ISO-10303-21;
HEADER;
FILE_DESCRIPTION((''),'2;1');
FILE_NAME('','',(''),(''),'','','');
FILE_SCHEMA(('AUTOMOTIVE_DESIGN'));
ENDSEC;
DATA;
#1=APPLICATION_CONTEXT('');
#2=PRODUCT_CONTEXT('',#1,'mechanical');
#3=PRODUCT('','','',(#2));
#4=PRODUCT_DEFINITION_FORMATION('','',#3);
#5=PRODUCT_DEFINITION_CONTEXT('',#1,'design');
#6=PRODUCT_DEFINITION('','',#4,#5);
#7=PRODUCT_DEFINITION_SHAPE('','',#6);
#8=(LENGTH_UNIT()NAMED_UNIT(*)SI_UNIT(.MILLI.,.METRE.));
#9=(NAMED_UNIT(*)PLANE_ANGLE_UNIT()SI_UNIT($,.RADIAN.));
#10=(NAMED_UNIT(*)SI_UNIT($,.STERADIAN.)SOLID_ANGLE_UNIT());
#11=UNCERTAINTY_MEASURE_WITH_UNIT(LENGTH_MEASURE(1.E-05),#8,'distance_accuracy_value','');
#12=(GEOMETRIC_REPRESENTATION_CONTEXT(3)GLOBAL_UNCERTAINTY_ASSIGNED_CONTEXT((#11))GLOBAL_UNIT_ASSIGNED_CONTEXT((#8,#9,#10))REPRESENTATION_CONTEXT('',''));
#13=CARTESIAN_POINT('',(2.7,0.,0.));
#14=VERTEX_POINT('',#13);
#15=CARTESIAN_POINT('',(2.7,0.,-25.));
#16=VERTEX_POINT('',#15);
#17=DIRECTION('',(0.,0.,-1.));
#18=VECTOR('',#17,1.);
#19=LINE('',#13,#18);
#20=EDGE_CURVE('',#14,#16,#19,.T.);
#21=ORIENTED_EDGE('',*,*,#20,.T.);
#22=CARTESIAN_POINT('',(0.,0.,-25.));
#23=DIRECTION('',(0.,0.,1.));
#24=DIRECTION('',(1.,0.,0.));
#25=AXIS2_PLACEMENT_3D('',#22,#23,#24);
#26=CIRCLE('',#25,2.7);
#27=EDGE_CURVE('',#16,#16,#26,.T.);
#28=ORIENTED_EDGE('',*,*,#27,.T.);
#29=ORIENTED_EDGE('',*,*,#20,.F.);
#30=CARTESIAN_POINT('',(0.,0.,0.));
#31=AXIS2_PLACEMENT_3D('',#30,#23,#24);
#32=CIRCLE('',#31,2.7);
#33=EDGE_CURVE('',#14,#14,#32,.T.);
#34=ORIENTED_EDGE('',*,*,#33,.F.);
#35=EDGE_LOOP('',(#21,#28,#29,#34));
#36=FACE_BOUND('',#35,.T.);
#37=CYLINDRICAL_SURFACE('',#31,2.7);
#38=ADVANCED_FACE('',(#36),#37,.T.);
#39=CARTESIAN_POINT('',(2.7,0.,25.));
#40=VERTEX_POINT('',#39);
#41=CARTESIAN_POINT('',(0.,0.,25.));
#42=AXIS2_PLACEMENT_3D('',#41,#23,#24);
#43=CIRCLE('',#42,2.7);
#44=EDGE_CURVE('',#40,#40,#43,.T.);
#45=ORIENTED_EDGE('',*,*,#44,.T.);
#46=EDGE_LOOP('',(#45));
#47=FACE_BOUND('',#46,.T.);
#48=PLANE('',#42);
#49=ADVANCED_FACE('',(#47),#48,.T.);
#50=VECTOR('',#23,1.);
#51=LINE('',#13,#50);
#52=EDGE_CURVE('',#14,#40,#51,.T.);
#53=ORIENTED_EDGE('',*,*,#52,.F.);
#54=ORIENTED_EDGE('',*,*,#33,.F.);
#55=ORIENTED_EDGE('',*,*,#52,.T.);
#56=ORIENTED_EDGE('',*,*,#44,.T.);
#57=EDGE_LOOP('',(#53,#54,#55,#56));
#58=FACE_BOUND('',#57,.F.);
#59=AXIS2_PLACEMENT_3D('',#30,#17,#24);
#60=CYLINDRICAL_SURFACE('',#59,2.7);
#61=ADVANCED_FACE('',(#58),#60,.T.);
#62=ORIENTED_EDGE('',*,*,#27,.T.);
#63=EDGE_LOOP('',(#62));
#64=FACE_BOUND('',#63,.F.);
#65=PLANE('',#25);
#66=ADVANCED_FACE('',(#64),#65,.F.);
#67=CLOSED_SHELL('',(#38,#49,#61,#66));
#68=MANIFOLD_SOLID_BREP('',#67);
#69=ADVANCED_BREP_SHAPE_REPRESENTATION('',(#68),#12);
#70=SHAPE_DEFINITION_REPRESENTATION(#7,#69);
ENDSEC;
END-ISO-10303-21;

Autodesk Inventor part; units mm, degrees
ref_plane "YZ Plane" through (0, 0, 0) normal (1, 0, 0) x (0, 1, 0)
ref_plane "XZ Plane" through (0, 0, 0) normal (0, 1, 0) x (-1, 0, 0)
ref_plane "XY Plane" through (0, 0, 0) normal (0, 0, 1) x (1, 0, 0)
sketch "Sketch1" plane through (0, 0, 0) normal (0, 0, 1) x (1, 0, 0)
  circle A0 centre (0, 0) radius 2.7
  dimension "d0" = 5.4
extrude "Extrusion1" add sketch "Sketch1" along normal mid plane 50
properties part number "eje_salida"
